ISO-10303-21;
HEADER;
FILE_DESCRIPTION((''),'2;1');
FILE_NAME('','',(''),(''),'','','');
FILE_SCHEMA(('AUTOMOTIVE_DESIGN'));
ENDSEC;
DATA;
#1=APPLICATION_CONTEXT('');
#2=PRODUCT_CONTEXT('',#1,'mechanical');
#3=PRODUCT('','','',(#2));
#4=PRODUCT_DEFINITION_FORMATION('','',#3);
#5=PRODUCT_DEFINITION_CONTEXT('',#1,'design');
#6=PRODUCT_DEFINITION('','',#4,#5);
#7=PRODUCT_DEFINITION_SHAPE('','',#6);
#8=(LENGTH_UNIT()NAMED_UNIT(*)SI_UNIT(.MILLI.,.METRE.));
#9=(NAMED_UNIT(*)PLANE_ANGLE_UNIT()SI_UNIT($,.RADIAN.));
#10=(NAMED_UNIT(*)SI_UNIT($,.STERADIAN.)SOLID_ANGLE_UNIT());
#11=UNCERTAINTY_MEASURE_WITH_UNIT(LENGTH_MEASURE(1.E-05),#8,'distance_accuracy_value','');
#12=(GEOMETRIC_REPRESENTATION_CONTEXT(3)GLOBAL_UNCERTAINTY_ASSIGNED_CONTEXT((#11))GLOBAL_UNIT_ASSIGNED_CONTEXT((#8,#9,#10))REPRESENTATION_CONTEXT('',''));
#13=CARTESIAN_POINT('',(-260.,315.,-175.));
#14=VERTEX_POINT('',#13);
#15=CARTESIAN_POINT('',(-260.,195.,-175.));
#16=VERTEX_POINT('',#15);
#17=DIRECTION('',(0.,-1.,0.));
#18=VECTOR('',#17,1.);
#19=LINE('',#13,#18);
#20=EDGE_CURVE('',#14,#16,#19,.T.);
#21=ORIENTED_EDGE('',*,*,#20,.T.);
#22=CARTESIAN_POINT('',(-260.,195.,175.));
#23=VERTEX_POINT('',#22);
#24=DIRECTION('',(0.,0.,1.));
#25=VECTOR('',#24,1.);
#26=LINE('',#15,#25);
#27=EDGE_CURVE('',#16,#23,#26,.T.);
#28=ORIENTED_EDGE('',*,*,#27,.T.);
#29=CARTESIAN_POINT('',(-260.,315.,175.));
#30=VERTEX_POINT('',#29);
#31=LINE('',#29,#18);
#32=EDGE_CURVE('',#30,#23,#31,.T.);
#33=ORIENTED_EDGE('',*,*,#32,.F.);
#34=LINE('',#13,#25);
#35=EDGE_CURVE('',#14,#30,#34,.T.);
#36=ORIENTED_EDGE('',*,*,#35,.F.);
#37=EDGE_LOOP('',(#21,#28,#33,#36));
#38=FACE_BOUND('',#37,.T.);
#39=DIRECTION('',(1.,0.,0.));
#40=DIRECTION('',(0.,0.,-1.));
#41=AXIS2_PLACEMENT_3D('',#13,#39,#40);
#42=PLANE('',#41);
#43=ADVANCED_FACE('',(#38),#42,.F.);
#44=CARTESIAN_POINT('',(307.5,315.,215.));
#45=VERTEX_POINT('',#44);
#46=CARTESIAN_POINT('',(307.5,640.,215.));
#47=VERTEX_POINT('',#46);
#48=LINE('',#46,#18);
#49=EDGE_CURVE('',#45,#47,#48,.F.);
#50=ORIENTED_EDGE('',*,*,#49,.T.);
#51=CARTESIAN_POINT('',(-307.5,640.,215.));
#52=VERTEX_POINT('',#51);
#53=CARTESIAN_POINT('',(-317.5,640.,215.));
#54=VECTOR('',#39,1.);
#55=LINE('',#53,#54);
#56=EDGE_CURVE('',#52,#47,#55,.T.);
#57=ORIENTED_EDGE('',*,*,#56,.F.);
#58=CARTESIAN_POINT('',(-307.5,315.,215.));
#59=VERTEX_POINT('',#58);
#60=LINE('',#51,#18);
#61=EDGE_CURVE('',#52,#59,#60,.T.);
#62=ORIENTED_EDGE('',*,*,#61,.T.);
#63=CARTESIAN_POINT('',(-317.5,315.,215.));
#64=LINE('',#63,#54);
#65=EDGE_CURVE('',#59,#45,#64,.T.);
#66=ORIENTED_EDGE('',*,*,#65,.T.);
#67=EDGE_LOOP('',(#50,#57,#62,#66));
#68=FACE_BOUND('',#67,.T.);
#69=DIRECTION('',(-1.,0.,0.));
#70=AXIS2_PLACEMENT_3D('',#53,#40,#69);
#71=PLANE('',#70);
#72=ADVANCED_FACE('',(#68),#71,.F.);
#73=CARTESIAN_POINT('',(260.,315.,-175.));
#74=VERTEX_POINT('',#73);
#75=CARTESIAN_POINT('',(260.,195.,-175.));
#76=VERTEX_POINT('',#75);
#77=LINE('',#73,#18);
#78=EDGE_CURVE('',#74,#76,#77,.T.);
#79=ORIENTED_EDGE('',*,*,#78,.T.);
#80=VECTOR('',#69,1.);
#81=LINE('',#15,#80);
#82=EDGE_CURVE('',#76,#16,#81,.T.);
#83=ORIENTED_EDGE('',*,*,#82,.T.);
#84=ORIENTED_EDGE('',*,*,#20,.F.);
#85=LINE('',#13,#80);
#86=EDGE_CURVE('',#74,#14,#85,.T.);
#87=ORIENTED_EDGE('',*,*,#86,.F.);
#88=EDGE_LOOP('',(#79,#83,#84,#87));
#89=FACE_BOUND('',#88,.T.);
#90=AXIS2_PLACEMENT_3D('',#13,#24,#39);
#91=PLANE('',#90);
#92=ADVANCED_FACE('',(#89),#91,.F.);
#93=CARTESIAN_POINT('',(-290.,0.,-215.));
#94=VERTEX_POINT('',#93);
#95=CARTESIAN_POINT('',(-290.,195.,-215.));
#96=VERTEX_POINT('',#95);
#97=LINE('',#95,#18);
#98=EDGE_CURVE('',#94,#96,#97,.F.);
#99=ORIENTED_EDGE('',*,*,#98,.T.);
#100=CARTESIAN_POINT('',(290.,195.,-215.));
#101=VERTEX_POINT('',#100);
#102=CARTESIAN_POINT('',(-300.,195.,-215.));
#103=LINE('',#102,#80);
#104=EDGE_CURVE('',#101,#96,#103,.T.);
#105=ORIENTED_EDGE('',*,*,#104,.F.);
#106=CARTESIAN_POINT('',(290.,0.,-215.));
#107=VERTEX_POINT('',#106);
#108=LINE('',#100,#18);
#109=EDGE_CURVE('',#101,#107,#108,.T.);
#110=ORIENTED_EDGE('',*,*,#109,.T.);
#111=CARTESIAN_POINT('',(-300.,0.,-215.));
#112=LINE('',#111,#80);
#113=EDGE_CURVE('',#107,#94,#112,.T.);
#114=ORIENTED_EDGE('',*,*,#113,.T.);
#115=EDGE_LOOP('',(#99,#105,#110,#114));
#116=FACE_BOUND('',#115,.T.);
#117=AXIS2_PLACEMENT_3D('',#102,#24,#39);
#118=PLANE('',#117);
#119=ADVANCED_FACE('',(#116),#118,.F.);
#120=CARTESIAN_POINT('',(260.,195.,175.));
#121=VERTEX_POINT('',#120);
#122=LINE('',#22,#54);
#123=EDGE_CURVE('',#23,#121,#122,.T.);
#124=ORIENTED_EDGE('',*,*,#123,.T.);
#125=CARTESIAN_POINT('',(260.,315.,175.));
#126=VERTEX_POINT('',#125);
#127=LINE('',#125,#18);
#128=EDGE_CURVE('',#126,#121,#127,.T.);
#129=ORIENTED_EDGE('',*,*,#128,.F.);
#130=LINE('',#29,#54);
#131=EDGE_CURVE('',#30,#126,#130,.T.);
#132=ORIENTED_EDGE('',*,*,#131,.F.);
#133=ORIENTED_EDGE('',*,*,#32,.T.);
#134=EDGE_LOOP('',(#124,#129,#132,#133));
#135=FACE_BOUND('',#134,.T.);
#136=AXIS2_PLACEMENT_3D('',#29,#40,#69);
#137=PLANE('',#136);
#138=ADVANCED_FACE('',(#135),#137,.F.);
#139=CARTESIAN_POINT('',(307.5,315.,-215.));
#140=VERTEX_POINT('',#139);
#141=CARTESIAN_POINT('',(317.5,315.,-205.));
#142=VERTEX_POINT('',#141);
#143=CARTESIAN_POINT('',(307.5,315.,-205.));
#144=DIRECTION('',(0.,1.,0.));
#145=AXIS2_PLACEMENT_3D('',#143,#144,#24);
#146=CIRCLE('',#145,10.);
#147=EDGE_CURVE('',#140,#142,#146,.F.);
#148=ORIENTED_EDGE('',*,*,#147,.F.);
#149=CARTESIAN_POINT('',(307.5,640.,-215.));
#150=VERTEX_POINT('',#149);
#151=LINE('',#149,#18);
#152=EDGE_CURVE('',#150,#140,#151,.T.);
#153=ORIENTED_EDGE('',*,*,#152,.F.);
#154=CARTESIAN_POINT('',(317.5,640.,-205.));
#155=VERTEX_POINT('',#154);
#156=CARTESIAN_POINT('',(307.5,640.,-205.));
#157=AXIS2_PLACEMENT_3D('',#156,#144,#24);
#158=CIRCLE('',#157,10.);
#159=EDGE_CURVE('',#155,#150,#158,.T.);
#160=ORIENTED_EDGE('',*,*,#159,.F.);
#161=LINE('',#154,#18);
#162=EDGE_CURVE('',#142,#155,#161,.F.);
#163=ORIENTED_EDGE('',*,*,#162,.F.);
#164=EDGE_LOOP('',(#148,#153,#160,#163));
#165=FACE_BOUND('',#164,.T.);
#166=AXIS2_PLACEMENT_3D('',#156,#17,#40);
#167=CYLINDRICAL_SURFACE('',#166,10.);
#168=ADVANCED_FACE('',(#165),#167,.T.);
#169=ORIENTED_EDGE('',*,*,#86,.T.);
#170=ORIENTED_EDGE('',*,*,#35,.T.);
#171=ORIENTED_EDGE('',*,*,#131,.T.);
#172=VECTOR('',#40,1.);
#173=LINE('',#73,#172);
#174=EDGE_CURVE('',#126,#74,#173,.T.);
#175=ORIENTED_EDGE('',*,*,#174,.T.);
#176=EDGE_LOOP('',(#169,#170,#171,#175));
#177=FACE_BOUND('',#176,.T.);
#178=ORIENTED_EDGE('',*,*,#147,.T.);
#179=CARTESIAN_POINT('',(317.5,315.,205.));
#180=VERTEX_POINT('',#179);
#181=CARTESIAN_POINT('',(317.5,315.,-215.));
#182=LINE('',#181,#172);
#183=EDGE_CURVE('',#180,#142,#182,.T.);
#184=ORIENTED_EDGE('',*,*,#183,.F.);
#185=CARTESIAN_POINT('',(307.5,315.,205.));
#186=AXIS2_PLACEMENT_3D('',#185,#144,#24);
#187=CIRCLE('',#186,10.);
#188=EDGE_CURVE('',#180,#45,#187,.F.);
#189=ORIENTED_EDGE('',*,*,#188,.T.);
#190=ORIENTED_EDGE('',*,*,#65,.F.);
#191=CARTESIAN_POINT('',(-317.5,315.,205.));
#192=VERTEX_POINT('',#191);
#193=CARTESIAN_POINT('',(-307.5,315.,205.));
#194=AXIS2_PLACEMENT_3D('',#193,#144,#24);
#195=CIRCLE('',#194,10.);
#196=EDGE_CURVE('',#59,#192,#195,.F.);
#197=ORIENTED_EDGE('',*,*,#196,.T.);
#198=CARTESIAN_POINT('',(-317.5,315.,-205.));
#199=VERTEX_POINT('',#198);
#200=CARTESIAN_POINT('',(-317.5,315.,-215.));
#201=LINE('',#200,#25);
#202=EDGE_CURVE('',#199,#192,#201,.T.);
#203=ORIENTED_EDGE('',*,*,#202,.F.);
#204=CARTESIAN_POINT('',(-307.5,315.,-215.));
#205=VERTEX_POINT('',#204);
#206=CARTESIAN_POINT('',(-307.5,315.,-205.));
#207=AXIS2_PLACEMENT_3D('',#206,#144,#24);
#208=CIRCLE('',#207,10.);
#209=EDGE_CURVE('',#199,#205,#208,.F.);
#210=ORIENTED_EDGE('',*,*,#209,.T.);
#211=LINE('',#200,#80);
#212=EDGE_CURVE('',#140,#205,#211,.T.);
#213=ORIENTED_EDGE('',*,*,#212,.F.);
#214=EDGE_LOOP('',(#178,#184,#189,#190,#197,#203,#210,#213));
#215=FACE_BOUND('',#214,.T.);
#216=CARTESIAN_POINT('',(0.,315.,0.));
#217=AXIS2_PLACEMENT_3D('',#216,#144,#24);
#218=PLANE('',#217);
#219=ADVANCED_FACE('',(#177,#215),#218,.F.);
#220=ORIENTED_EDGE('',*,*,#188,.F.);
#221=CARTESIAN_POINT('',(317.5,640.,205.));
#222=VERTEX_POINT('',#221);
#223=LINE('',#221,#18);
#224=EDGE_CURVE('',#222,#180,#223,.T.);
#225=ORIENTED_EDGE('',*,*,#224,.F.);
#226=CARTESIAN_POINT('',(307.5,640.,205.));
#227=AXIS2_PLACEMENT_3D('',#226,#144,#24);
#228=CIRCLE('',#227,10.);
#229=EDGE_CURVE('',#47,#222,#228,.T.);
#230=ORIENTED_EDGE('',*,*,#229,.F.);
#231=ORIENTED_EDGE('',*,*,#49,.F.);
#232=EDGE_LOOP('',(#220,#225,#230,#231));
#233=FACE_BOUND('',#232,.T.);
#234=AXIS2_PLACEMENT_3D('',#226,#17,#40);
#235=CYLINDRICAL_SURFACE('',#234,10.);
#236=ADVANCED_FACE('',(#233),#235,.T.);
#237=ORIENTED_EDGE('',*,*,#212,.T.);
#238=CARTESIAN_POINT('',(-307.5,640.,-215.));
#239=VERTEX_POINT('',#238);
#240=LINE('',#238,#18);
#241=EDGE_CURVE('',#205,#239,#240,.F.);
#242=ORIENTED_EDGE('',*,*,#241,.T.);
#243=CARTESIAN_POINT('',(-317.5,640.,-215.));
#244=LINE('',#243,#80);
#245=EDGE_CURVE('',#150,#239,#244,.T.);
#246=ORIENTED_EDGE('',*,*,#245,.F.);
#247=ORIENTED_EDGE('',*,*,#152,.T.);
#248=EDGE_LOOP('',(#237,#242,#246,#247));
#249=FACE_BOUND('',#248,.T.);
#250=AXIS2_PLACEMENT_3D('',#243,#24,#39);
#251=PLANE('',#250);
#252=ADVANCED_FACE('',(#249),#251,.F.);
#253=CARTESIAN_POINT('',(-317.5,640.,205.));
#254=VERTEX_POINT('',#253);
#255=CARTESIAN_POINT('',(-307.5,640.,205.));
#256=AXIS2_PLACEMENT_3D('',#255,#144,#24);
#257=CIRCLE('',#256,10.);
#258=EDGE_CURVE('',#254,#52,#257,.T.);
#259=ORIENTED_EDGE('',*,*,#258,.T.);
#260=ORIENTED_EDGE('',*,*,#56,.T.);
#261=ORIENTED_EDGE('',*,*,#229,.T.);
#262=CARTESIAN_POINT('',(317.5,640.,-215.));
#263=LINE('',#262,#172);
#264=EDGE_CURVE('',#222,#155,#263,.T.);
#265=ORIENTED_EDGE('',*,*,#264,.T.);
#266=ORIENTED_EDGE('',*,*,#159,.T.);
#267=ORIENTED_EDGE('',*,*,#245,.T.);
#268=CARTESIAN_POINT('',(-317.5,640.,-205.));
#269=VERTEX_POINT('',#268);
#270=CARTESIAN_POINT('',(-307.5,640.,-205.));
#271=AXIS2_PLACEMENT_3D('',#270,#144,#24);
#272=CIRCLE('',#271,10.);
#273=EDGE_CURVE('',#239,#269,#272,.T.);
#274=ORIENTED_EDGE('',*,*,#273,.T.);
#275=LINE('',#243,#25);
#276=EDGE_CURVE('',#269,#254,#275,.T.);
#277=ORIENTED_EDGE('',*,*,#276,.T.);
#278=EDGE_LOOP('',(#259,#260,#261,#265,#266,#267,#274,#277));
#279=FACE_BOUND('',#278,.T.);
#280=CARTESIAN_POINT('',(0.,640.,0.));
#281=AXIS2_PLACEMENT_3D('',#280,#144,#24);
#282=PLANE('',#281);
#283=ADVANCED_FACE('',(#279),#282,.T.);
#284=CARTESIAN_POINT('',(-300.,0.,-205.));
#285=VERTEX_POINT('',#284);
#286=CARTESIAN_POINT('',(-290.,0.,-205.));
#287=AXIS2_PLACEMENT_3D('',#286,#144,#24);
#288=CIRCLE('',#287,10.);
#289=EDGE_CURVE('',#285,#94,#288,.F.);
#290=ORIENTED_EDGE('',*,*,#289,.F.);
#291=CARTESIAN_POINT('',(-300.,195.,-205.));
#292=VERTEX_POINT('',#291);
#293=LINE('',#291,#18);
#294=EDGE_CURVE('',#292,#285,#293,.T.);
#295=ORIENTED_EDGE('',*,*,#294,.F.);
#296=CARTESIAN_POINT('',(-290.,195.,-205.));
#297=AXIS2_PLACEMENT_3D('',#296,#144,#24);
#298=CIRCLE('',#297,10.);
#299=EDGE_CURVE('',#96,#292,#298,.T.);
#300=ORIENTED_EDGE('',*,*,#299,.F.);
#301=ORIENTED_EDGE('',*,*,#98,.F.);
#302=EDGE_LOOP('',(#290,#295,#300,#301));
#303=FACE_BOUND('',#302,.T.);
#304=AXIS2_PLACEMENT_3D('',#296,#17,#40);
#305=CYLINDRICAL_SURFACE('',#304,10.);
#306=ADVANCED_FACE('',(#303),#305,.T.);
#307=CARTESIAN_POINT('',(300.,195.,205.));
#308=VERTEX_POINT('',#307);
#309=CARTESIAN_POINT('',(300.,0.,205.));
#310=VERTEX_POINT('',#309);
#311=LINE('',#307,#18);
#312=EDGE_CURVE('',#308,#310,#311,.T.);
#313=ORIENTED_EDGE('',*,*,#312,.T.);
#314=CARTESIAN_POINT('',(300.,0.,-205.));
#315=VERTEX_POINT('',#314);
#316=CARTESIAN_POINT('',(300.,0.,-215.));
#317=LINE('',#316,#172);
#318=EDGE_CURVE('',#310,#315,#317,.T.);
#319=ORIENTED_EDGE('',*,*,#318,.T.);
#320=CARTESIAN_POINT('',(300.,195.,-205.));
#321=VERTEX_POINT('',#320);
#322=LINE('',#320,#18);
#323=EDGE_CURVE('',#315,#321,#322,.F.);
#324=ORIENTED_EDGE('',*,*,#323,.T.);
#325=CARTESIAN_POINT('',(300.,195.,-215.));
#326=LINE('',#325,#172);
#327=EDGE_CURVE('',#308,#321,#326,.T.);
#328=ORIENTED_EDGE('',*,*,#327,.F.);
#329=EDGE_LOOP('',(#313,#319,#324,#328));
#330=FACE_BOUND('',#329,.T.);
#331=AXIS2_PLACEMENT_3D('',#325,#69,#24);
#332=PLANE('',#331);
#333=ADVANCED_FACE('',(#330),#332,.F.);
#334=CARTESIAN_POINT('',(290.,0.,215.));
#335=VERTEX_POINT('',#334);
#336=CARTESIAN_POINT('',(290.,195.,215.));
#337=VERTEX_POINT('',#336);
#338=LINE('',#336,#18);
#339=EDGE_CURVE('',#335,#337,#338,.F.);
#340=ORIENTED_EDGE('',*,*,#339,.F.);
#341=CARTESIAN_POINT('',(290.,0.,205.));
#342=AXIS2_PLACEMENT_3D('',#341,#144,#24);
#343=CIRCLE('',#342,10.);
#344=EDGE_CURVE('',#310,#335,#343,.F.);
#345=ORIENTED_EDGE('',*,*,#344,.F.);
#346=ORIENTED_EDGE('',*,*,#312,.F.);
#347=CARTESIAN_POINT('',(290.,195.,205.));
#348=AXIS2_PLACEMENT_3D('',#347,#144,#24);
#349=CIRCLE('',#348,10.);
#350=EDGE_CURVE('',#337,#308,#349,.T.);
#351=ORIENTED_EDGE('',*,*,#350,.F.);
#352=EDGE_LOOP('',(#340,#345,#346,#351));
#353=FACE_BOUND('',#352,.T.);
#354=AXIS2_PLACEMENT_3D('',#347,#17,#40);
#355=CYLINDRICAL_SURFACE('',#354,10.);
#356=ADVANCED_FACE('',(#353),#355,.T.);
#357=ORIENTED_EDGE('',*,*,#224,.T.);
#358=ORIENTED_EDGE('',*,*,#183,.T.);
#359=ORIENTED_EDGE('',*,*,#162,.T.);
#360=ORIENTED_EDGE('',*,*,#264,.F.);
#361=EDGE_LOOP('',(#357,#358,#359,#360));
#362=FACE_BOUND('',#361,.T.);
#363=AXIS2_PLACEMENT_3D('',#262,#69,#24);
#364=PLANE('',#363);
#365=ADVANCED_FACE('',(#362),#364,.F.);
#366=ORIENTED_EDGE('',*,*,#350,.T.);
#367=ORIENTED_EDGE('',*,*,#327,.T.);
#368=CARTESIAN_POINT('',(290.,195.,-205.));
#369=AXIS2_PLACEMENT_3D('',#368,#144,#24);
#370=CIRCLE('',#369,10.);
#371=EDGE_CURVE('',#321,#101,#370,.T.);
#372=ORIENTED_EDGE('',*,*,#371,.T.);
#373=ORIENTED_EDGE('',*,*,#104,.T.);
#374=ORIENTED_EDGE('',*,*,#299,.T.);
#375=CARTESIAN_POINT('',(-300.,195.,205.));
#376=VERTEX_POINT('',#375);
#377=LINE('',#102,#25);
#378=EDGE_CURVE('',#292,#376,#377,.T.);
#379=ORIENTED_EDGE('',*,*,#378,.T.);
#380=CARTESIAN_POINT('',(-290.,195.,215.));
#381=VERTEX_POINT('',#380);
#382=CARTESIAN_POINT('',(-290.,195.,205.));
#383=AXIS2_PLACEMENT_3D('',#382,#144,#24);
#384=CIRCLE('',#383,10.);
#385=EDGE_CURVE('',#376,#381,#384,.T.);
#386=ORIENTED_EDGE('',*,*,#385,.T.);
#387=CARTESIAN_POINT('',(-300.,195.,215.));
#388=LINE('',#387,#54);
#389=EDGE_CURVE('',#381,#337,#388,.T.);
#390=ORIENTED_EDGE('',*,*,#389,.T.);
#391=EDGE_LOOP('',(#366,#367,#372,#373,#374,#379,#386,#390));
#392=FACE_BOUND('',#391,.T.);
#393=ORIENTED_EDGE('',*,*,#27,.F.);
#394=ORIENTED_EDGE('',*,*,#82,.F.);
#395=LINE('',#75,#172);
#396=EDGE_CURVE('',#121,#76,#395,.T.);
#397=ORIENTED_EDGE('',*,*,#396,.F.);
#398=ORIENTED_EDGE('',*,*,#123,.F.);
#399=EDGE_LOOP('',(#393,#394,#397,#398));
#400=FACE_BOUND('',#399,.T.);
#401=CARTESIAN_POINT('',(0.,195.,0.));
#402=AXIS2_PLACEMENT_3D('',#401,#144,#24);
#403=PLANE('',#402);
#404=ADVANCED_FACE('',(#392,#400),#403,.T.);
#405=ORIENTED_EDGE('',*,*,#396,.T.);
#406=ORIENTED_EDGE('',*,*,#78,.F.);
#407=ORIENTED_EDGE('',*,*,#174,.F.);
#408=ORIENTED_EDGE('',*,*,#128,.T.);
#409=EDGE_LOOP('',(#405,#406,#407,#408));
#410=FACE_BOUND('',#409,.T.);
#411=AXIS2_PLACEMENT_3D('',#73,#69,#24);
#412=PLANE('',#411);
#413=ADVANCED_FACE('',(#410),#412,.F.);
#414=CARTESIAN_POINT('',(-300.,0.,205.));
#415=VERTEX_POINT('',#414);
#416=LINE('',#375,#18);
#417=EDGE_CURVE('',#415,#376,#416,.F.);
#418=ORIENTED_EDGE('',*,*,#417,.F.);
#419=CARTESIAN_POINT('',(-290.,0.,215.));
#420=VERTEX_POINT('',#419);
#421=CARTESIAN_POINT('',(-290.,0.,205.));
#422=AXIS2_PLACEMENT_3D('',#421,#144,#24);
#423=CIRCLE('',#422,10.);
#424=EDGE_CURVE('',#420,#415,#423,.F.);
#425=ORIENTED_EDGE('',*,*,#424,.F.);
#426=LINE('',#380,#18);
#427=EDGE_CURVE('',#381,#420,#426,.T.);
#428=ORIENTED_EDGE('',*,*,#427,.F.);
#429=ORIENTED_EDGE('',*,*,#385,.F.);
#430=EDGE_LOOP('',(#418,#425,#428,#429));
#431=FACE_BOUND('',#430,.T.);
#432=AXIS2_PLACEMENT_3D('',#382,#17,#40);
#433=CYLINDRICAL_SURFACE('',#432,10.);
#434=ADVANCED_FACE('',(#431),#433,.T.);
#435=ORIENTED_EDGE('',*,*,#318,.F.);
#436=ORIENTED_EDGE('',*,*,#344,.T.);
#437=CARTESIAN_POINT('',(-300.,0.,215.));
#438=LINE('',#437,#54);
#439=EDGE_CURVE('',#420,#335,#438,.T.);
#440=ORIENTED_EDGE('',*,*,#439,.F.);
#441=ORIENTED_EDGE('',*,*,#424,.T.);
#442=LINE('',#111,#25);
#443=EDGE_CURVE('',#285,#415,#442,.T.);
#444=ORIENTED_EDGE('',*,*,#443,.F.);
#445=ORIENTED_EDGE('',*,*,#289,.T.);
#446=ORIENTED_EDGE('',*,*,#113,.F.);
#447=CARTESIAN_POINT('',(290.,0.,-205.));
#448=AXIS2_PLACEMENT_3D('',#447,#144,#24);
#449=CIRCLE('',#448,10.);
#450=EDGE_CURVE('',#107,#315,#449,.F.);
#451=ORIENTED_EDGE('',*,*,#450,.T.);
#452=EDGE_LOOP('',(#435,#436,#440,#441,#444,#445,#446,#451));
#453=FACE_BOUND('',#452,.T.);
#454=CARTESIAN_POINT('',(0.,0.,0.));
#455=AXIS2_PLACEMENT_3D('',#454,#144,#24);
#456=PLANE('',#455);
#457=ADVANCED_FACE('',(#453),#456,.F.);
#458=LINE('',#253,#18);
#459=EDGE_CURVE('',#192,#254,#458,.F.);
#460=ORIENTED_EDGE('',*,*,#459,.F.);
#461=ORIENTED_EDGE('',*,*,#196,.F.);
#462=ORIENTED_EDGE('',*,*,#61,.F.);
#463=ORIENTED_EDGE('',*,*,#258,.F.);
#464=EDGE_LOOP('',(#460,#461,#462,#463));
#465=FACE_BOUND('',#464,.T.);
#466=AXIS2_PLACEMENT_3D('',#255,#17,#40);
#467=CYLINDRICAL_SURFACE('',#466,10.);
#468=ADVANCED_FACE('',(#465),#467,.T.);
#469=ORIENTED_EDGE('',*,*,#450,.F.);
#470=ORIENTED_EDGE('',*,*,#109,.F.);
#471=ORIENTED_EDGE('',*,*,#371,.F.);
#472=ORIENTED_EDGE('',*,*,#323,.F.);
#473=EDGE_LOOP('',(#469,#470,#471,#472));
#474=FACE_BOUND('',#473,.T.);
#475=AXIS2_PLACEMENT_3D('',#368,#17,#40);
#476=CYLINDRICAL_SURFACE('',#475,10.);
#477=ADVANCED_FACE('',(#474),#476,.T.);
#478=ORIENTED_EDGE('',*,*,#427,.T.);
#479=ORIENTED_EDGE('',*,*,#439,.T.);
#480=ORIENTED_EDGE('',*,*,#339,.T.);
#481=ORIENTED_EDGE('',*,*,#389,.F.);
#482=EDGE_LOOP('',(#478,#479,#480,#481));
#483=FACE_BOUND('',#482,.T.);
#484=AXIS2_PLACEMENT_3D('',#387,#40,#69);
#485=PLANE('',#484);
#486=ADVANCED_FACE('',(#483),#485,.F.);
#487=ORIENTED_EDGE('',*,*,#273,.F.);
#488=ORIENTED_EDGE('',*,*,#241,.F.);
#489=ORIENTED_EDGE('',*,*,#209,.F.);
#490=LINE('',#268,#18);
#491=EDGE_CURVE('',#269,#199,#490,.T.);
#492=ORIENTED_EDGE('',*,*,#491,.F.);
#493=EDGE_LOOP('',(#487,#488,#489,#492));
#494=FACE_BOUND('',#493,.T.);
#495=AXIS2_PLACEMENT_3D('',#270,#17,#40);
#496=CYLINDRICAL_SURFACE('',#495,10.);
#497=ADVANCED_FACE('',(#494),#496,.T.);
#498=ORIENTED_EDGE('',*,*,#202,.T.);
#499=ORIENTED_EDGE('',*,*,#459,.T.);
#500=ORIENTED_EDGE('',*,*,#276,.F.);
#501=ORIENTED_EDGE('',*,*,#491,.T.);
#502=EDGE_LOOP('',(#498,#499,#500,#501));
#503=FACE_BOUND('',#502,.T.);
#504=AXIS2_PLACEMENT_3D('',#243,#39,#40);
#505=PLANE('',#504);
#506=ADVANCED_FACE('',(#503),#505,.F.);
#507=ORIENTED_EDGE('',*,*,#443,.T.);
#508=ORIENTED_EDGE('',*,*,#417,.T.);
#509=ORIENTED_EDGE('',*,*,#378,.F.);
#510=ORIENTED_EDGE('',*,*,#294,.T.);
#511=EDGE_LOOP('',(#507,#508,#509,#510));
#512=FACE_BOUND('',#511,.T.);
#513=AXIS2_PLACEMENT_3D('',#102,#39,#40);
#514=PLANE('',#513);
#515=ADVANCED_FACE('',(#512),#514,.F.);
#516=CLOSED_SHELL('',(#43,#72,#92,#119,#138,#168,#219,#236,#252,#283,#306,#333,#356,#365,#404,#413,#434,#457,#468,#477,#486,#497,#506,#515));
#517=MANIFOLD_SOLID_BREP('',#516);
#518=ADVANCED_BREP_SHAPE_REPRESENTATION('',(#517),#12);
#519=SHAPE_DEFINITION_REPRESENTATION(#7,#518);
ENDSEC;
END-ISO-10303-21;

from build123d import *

# Parameters (mm, degrees)
SKETCH_1_W      = 600
SKETCH_1_H      = 430
EXTRUDE_1_DEPTH = 195
SKETCH_2_W      = 520
SKETCH_2_H      = 350
EXTRUDE_2_DEPTH = 120
SKETCH_3_W      = 635
SKETCH_3_H      = 430
EXTRUDE_3_DEPTH = 325
FILLET_2_R      = 10
FILLET_3_R      = 10


with BuildPart() as part:
    # 草圖1 → 填料-伸長1 (new body)
    with BuildSketch(Plane(origin=(0, 0, 0), x_dir=(1, 0, 0), z_dir=(0, 1, 0))):
        Rectangle(SKETCH_1_W, SKETCH_1_H)
    extrude(amount=EXTRUDE_1_DEPTH)

    # 草圖2 → 填料-伸長2 (add)
    with BuildSketch(Plane(origin=(0, 195, 0), x_dir=(1, 0, 0), z_dir=(0, 1, 0))):
        Rectangle(SKETCH_2_W, SKETCH_2_H)
    extrude(amount=EXTRUDE_2_DEPTH)

    # 草圖3 → 填料-伸長3 (add)
    with BuildSketch(Plane(origin=(0, 315, 0), x_dir=(1, 0, 0), z_dir=(0, 1, 0))):
        Rectangle(SKETCH_3_W, SKETCH_3_H)
    extrude(amount=EXTRUDE_3_DEPTH)

    # 圓角2
    fillet_2_edges = [part.edges().sort_by_distance(p)[0] for p in [
        (317.5, 477.5, 215),
        (317.5, 477.5, -215),
        (-317.5, 477.5, -215),
        (-317.5, 477.5, 215),
    ]]
    fillet(fillet_2_edges, radius=FILLET_2_R)

    # 圓角3
    fillet_3_edges = [part.edges().sort_by_distance(p)[0] for p in [
        (300, 97.5, 215),
        (-300, 97.5, 215),
        (-300, 97.5, -215),
        (300, 97.5, -215),
    ]]
    fillet(fillet_3_edges, radius=FILLET_3_R)


solid = part.part
